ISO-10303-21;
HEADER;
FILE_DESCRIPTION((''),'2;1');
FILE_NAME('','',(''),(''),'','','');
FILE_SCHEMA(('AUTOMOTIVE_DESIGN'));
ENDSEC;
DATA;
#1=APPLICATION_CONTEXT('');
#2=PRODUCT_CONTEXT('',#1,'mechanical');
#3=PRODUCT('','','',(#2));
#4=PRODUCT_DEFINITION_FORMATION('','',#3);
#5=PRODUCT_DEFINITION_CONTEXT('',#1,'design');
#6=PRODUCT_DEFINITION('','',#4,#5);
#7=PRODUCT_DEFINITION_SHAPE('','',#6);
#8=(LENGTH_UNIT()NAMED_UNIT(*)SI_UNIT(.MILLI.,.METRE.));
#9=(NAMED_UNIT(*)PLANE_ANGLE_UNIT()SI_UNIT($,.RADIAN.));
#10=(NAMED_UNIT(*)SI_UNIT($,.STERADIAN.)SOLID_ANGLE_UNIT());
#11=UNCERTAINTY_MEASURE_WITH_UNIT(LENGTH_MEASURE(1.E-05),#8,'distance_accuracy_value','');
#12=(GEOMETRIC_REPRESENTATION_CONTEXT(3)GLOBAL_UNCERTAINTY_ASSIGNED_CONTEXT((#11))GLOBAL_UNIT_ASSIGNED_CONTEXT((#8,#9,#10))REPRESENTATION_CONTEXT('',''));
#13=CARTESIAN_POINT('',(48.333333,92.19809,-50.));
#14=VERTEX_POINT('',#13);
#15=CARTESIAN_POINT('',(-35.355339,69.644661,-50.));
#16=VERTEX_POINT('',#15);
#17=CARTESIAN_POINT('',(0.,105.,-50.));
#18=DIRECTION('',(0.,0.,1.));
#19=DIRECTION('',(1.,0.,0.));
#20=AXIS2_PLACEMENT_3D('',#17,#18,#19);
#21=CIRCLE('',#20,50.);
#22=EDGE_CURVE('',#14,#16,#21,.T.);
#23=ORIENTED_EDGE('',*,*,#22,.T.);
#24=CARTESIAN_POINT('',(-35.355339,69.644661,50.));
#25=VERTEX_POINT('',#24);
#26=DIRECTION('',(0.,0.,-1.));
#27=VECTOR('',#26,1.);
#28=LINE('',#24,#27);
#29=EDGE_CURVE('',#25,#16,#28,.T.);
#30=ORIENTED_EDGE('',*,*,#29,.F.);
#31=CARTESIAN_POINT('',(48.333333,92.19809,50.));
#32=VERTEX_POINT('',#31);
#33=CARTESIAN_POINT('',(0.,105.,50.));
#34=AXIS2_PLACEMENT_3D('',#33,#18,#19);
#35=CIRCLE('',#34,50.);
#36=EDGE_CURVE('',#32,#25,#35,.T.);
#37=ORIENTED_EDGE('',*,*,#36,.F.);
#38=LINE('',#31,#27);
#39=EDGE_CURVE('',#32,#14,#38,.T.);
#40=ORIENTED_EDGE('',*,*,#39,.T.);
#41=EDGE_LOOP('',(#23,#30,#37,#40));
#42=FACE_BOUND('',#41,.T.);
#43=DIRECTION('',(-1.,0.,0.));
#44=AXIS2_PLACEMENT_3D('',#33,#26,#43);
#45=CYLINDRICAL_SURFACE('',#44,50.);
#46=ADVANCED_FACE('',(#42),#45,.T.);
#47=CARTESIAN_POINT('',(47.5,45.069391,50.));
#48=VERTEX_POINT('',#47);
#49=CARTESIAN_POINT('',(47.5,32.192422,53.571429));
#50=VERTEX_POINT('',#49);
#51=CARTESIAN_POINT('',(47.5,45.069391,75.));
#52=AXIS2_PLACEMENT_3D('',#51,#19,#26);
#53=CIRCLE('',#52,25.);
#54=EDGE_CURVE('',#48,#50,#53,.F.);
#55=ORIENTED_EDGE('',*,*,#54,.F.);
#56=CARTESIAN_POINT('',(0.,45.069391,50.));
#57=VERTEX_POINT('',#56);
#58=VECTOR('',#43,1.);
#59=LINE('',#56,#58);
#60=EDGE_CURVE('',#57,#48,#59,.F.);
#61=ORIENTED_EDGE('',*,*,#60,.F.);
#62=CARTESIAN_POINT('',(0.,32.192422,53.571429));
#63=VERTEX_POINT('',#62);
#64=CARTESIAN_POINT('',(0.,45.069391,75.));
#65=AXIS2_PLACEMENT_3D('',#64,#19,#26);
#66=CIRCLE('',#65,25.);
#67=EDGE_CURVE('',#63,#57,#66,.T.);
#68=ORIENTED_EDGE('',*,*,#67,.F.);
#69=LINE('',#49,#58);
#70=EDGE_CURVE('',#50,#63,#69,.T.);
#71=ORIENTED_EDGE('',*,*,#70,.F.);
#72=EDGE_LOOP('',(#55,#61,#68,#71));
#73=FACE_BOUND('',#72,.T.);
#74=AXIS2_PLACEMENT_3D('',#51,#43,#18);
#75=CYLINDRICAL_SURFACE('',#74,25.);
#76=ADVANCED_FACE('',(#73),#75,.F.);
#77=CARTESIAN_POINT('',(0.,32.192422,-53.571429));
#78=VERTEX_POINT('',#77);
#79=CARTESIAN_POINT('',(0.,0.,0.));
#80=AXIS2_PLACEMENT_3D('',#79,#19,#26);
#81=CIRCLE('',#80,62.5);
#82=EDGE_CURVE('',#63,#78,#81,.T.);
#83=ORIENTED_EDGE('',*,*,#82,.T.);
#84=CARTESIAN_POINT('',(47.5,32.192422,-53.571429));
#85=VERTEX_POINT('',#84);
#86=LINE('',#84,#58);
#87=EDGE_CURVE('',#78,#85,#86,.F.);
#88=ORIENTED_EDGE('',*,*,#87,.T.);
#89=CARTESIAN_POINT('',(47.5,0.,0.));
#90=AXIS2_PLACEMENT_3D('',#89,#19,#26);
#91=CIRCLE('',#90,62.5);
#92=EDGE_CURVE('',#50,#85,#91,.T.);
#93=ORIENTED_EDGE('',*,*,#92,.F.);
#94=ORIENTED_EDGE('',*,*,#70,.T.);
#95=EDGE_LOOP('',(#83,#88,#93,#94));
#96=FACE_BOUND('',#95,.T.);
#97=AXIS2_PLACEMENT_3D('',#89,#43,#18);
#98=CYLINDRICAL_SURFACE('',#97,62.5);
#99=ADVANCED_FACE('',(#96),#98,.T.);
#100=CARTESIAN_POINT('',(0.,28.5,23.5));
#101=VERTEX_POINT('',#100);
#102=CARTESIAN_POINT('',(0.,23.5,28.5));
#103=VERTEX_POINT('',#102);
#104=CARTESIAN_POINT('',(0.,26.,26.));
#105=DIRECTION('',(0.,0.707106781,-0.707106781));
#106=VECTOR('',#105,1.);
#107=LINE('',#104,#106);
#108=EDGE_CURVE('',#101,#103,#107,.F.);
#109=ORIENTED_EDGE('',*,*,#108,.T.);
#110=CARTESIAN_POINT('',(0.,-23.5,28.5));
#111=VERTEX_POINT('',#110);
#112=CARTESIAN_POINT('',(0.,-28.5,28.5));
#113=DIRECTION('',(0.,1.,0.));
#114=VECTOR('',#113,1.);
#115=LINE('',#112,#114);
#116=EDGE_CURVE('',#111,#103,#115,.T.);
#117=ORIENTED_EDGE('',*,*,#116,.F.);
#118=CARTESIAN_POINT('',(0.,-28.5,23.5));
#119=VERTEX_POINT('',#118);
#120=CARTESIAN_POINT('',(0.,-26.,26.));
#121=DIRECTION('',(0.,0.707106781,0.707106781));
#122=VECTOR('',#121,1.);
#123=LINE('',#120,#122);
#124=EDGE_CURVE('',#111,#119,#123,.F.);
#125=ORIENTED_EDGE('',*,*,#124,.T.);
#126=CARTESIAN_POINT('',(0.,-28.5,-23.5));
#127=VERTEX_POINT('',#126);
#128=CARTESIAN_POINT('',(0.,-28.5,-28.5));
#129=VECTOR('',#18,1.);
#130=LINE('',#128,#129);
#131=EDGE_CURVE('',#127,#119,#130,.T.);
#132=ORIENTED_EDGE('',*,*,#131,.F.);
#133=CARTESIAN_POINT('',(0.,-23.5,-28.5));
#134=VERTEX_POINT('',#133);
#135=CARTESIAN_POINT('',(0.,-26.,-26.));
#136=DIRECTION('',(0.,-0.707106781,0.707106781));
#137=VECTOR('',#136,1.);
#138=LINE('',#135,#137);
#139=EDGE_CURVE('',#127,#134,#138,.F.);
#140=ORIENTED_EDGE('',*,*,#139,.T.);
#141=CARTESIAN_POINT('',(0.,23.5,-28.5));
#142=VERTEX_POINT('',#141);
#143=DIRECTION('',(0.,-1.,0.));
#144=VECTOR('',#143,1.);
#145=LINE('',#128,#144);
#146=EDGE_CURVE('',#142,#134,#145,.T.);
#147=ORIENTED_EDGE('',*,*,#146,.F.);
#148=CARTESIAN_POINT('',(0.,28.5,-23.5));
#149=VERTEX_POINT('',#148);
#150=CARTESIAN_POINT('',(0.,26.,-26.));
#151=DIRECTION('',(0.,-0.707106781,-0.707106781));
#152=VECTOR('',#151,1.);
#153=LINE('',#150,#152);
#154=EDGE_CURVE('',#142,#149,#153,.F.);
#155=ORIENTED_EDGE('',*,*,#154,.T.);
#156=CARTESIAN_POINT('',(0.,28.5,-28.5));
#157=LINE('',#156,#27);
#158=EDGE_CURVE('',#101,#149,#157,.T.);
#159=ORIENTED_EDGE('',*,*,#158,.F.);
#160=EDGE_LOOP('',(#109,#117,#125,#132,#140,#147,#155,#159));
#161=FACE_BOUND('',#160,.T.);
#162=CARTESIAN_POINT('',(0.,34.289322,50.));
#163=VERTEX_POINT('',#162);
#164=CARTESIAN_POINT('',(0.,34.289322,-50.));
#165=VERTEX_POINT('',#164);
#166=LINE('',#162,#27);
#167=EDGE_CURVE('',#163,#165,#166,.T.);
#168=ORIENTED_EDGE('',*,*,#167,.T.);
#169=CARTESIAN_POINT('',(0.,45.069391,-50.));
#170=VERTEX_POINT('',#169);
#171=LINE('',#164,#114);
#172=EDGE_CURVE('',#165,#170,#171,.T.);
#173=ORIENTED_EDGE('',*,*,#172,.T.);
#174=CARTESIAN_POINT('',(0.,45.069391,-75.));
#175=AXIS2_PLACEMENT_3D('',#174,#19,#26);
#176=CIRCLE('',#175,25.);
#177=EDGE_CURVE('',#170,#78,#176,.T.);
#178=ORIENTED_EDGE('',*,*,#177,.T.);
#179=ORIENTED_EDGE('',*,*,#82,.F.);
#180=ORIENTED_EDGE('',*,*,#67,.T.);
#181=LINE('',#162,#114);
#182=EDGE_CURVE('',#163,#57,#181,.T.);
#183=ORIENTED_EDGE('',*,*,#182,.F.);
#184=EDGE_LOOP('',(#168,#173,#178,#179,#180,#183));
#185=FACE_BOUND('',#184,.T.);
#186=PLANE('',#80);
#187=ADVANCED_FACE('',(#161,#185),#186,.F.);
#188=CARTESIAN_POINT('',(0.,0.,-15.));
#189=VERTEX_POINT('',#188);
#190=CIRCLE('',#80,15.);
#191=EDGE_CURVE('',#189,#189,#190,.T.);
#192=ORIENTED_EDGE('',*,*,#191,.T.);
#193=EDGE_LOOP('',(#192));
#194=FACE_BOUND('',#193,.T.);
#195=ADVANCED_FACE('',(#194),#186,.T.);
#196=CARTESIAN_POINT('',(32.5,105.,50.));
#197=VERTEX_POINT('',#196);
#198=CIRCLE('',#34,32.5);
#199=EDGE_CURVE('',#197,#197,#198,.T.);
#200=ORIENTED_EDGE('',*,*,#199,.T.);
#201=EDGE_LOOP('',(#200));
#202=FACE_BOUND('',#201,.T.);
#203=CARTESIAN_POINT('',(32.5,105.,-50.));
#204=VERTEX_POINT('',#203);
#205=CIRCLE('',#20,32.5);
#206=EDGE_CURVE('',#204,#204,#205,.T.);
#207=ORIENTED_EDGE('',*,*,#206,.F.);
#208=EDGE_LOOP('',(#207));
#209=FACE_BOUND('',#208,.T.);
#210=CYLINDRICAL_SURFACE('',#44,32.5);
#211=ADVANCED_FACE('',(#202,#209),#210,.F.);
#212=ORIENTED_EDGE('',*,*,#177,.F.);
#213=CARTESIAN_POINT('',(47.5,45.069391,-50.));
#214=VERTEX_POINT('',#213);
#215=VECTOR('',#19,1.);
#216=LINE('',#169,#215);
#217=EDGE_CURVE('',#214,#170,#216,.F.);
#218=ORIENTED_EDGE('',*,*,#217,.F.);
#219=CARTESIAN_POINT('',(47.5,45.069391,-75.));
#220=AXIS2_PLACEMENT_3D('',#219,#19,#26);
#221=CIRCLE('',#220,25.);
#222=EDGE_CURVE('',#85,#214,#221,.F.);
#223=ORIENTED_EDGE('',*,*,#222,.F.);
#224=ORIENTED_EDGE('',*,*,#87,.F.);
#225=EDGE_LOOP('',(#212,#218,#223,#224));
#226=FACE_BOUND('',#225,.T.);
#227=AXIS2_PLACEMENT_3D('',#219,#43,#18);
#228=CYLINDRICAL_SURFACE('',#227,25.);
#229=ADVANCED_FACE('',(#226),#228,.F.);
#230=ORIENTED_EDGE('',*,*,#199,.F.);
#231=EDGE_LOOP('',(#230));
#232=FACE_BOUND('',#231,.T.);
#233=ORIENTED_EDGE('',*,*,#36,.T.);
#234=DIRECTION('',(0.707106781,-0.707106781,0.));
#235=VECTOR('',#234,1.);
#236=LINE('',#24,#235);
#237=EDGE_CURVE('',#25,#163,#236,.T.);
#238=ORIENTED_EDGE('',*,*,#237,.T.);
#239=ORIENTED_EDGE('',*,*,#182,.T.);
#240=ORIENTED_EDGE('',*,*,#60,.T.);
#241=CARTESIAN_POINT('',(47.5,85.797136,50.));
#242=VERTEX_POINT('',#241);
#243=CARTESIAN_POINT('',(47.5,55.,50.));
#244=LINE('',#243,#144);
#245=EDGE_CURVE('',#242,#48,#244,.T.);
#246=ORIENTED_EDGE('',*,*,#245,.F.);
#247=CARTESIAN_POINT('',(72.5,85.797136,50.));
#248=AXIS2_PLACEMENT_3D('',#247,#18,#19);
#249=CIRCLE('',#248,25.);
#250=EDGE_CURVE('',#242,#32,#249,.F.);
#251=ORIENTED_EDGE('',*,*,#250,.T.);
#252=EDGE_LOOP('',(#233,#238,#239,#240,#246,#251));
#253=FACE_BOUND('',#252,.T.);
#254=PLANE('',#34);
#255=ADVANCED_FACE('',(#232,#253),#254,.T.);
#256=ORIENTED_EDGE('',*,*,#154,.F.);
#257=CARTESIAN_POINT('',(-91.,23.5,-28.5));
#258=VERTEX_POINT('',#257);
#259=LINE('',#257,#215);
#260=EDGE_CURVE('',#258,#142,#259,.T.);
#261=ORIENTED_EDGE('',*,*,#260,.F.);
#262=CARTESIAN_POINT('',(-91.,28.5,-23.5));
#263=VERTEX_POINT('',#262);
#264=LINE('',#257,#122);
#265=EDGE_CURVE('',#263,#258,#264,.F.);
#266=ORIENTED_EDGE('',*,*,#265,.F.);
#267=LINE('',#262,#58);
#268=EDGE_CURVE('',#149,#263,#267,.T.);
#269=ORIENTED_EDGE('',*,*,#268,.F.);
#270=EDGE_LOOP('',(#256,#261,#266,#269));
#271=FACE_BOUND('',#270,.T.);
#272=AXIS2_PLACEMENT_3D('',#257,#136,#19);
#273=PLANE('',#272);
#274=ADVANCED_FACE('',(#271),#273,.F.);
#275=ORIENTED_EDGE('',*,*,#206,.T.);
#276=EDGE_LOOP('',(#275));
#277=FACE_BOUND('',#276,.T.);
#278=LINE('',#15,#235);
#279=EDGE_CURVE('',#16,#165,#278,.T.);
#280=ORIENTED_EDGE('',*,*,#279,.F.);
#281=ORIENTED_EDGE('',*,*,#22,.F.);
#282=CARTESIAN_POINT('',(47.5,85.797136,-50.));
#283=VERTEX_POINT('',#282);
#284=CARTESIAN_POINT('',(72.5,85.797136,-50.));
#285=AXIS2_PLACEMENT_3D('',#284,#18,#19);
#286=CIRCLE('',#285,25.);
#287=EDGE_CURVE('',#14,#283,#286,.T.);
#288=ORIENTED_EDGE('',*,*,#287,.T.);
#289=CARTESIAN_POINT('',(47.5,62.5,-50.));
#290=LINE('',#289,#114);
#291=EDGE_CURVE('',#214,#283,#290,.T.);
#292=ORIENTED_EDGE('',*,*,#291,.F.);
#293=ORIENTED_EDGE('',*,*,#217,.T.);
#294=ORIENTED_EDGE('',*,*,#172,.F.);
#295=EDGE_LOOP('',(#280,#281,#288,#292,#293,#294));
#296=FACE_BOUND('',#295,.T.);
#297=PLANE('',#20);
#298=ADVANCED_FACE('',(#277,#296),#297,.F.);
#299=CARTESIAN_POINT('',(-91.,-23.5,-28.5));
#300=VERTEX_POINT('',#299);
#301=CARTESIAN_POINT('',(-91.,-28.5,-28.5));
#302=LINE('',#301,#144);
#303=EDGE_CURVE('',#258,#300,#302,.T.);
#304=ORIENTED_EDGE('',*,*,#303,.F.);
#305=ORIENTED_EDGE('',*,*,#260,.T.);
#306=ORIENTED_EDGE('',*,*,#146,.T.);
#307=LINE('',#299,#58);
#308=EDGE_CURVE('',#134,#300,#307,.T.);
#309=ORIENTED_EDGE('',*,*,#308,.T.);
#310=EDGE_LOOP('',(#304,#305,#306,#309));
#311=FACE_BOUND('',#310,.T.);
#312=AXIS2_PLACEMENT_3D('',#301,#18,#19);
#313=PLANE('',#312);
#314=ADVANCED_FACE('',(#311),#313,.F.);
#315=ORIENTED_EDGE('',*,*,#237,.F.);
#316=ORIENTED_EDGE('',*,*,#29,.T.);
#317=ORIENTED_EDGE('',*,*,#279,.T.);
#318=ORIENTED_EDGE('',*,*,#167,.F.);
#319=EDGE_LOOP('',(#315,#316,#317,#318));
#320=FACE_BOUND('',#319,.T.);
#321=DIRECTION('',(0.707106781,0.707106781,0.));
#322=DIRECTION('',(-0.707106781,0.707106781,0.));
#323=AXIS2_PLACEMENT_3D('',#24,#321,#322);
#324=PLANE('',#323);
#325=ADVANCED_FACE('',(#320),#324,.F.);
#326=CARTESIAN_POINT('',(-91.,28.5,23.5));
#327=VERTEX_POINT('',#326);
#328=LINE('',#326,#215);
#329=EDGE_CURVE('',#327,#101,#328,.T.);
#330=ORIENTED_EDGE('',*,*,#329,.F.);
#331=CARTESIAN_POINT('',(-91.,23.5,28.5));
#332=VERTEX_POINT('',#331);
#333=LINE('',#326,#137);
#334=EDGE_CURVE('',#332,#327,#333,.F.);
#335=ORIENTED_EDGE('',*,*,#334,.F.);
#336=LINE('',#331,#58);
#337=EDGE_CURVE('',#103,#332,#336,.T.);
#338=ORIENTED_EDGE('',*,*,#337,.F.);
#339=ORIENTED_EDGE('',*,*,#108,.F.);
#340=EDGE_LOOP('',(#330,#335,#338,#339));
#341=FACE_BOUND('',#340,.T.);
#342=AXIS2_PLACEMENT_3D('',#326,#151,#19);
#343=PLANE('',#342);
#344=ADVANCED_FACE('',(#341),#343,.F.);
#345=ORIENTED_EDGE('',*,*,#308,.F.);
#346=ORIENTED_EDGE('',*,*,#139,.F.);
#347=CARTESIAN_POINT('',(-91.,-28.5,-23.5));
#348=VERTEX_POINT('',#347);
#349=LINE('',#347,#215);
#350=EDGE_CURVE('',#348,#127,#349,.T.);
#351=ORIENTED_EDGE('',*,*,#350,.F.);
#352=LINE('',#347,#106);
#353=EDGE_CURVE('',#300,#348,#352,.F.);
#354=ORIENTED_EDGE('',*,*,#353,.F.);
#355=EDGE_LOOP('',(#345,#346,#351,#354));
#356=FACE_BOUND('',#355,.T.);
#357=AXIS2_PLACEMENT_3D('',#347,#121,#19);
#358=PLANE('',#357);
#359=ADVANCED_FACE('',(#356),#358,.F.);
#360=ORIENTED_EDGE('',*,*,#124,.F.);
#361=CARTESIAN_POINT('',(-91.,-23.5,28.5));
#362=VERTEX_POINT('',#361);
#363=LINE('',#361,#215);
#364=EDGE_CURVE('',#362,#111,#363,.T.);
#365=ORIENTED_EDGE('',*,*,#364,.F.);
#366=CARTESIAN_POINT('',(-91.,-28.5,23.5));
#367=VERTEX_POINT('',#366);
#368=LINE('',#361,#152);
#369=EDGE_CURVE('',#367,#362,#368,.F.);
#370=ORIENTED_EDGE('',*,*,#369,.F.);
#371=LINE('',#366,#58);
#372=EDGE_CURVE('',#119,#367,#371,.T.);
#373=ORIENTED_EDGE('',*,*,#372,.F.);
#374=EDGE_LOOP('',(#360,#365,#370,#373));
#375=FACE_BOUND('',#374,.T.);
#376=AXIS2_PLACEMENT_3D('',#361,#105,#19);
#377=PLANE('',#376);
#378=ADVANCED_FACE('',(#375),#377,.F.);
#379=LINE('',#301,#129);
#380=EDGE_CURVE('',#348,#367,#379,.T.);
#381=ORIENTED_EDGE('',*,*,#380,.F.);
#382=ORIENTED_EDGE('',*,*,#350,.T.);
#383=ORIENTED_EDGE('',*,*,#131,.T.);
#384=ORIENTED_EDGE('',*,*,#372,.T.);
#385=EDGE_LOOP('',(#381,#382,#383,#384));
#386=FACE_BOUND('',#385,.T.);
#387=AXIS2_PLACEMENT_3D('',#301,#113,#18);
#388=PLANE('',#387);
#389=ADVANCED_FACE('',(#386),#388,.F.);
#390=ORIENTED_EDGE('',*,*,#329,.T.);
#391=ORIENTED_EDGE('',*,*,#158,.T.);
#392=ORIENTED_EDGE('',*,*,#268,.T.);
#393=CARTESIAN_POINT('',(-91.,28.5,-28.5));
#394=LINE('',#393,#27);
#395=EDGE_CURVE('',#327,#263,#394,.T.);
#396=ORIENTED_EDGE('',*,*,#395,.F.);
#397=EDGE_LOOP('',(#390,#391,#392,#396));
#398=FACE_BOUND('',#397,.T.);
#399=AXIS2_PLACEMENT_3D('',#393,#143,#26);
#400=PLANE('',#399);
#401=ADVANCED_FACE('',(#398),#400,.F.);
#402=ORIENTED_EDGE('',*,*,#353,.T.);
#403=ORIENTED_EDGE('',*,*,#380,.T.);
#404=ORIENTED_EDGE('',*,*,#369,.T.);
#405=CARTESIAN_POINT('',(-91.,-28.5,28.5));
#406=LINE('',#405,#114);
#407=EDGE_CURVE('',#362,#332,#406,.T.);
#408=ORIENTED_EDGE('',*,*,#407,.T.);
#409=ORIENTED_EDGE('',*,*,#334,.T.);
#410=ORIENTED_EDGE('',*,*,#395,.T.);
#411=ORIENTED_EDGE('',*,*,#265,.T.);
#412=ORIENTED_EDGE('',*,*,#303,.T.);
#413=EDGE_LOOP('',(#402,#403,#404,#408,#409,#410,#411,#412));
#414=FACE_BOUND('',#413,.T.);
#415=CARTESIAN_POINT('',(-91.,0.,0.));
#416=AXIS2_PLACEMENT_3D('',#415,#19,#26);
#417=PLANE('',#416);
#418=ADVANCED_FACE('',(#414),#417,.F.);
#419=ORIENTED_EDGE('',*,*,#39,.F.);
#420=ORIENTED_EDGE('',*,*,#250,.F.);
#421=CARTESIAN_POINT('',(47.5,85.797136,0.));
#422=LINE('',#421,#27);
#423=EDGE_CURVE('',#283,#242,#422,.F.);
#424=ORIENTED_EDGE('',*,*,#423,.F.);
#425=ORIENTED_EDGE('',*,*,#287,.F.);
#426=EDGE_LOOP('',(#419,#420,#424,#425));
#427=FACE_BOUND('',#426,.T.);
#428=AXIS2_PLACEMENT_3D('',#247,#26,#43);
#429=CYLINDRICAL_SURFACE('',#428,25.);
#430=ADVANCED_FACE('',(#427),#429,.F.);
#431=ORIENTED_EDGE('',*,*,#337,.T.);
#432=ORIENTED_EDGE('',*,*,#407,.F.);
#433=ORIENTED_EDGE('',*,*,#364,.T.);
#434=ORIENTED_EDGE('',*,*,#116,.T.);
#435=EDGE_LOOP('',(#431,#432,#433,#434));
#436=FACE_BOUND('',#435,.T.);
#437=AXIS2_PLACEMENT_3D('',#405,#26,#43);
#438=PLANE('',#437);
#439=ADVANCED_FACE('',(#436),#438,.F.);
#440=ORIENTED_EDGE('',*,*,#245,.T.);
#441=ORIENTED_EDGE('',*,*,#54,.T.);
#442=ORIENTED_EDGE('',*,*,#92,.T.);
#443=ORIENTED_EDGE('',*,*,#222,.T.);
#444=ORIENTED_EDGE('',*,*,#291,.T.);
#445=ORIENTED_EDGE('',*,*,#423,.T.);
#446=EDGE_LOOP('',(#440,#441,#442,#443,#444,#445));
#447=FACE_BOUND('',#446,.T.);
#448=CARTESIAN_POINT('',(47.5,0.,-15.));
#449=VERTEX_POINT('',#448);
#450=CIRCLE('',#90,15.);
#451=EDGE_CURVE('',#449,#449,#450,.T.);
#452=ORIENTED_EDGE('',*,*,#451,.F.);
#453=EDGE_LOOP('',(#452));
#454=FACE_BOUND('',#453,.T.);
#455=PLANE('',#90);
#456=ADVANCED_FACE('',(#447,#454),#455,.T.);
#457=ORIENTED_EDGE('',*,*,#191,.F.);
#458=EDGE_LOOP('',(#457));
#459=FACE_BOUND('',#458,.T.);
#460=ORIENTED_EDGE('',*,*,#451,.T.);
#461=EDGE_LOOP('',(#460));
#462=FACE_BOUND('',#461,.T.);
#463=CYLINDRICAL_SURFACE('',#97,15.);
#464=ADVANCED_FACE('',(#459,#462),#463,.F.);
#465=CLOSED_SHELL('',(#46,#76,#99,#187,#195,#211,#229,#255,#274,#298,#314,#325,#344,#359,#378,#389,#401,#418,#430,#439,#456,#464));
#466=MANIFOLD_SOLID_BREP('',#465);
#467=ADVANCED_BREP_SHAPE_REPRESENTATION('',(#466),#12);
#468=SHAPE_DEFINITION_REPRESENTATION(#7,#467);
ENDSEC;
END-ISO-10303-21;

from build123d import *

# Parameters (mm, degrees)
SKETCH1_R           = 62.5
SKETCH1_R_2         = 15
BOSS_EXTRUDE1_DEPTH = 47.5
SKETCH2_R           = 32.5
BOSS_EXTRUDE2_DEPTH = 50
BOSS_EXTRUDE3_START = -47.5
BOSS_EXTRUDE3_DEPTH = 47.5
BOSS_EXTRUDE4_DEPTH = 100
FILLET1_R           = 25
SKETCH5_W           = 57
SKETCH5_H           = 57
BOSS_EXTRUDE5_DEPTH = 91
CHAMFER1_SIZE       = 5


with BuildPart() as part:
    # Sketch1 → Boss-Extrude1 (new body)
    with BuildSketch(Plane(origin=(0, 0, 0), x_dir=(0, 0, -1), z_dir=(1, 0, 0))):
        Circle(SKETCH1_R)
        Circle(SKETCH1_R_2, mode=Mode.SUBTRACT)
    extrude(amount=BOSS_EXTRUDE1_DEPTH)

    # Sketch2 → Boss-Extrude2 (add, symmetric)
    with BuildSketch(Plane.XY):
        with BuildLine():
            Line((-35.355339059, 69.644660941), (0, 34.289321881))
            Line((0, 34.289321881), (0, 55))
            ThreePointArc((0, 55), (19.134171618, 151.193976626), (-35.355339059, 69.644660941))
        make_face()
        with Locations((0, 105)):
            Circle(SKETCH2_R, mode=Mode.SUBTRACT)
    extrude(amount=BOSS_EXTRUDE2_DEPTH, both=True)

    # Sketch3 → Boss-Extrude3 (add)
    with BuildSketch(Plane(origin=(47.5, 0, 0), x_dir=(0, 0, -1), z_dir=(1, 0, 0)).offset(BOSS_EXTRUDE3_START)):
        with BuildLine():
            Line((-50, 55), (-50, 62.5))
            Line((-50, 62.5), (50, 62.5))
            Line((50, 62.5), (50, 55))
            Line((50, 55), (50, 37.5))
            ThreePointArc((50, 37.5), (40.792418173, 47.352176503), (29.685855218, 55))
            Line((29.685855218, 55), (-29.685855218, 55))
            ThreePointArc((-29.685855218, 55), (-40.792418173, 47.352176503), (-50, 37.5))
            Line((-50, 37.5), (-50, 55))
        make_face()
    extrude(amount=BOSS_EXTRUDE3_DEPTH)

    # Sketch4 → Boss-Extrude4 (add)
    with BuildSketch(Plane.XY.offset(50)):
        with BuildLine():
            Line((26.339134382, 62.5), (47.5, 62.5))
            Line((47.5, 62.5), (47.5, 89.387505004))
            ThreePointArc((47.5, 89.387505004), (39.291079432, 74.07733716), (26.339134382, 62.5))
        make_face()
    extrude(amount=-BOSS_EXTRUDE4_DEPTH)

    # Fillet1
    fillet1_edges = [part.edges().sort_by_distance(p)[0] for p in [
        (23.75, 37.5, 50),
        (23.75, 37.5, -50),
        (47.5, 89.387505004, 0),
    ]]
    fillet(fillet1_edges, radius=FILLET1_R)

    # Sketch5 → Boss-Extrude5 (add)
    with BuildSketch(Plane.ZY):
        Rectangle(SKETCH5_W, SKETCH5_H)
    extrude(amount=BOSS_EXTRUDE5_DEPTH)

    # Chamfer1
    chamfer1_edges = [part.edges().sort_by_distance(p)[0] for p in [
        (-45.5, -28.5, 28.5),
        (-45.5, 28.5, 28.5),
        (-45.5, 28.5, -28.5),
        (-45.5, -28.5, -28.5),
    ]]
    chamfer(chamfer1_edges, length=CHAMFER1_SIZE)


solid = part.part
